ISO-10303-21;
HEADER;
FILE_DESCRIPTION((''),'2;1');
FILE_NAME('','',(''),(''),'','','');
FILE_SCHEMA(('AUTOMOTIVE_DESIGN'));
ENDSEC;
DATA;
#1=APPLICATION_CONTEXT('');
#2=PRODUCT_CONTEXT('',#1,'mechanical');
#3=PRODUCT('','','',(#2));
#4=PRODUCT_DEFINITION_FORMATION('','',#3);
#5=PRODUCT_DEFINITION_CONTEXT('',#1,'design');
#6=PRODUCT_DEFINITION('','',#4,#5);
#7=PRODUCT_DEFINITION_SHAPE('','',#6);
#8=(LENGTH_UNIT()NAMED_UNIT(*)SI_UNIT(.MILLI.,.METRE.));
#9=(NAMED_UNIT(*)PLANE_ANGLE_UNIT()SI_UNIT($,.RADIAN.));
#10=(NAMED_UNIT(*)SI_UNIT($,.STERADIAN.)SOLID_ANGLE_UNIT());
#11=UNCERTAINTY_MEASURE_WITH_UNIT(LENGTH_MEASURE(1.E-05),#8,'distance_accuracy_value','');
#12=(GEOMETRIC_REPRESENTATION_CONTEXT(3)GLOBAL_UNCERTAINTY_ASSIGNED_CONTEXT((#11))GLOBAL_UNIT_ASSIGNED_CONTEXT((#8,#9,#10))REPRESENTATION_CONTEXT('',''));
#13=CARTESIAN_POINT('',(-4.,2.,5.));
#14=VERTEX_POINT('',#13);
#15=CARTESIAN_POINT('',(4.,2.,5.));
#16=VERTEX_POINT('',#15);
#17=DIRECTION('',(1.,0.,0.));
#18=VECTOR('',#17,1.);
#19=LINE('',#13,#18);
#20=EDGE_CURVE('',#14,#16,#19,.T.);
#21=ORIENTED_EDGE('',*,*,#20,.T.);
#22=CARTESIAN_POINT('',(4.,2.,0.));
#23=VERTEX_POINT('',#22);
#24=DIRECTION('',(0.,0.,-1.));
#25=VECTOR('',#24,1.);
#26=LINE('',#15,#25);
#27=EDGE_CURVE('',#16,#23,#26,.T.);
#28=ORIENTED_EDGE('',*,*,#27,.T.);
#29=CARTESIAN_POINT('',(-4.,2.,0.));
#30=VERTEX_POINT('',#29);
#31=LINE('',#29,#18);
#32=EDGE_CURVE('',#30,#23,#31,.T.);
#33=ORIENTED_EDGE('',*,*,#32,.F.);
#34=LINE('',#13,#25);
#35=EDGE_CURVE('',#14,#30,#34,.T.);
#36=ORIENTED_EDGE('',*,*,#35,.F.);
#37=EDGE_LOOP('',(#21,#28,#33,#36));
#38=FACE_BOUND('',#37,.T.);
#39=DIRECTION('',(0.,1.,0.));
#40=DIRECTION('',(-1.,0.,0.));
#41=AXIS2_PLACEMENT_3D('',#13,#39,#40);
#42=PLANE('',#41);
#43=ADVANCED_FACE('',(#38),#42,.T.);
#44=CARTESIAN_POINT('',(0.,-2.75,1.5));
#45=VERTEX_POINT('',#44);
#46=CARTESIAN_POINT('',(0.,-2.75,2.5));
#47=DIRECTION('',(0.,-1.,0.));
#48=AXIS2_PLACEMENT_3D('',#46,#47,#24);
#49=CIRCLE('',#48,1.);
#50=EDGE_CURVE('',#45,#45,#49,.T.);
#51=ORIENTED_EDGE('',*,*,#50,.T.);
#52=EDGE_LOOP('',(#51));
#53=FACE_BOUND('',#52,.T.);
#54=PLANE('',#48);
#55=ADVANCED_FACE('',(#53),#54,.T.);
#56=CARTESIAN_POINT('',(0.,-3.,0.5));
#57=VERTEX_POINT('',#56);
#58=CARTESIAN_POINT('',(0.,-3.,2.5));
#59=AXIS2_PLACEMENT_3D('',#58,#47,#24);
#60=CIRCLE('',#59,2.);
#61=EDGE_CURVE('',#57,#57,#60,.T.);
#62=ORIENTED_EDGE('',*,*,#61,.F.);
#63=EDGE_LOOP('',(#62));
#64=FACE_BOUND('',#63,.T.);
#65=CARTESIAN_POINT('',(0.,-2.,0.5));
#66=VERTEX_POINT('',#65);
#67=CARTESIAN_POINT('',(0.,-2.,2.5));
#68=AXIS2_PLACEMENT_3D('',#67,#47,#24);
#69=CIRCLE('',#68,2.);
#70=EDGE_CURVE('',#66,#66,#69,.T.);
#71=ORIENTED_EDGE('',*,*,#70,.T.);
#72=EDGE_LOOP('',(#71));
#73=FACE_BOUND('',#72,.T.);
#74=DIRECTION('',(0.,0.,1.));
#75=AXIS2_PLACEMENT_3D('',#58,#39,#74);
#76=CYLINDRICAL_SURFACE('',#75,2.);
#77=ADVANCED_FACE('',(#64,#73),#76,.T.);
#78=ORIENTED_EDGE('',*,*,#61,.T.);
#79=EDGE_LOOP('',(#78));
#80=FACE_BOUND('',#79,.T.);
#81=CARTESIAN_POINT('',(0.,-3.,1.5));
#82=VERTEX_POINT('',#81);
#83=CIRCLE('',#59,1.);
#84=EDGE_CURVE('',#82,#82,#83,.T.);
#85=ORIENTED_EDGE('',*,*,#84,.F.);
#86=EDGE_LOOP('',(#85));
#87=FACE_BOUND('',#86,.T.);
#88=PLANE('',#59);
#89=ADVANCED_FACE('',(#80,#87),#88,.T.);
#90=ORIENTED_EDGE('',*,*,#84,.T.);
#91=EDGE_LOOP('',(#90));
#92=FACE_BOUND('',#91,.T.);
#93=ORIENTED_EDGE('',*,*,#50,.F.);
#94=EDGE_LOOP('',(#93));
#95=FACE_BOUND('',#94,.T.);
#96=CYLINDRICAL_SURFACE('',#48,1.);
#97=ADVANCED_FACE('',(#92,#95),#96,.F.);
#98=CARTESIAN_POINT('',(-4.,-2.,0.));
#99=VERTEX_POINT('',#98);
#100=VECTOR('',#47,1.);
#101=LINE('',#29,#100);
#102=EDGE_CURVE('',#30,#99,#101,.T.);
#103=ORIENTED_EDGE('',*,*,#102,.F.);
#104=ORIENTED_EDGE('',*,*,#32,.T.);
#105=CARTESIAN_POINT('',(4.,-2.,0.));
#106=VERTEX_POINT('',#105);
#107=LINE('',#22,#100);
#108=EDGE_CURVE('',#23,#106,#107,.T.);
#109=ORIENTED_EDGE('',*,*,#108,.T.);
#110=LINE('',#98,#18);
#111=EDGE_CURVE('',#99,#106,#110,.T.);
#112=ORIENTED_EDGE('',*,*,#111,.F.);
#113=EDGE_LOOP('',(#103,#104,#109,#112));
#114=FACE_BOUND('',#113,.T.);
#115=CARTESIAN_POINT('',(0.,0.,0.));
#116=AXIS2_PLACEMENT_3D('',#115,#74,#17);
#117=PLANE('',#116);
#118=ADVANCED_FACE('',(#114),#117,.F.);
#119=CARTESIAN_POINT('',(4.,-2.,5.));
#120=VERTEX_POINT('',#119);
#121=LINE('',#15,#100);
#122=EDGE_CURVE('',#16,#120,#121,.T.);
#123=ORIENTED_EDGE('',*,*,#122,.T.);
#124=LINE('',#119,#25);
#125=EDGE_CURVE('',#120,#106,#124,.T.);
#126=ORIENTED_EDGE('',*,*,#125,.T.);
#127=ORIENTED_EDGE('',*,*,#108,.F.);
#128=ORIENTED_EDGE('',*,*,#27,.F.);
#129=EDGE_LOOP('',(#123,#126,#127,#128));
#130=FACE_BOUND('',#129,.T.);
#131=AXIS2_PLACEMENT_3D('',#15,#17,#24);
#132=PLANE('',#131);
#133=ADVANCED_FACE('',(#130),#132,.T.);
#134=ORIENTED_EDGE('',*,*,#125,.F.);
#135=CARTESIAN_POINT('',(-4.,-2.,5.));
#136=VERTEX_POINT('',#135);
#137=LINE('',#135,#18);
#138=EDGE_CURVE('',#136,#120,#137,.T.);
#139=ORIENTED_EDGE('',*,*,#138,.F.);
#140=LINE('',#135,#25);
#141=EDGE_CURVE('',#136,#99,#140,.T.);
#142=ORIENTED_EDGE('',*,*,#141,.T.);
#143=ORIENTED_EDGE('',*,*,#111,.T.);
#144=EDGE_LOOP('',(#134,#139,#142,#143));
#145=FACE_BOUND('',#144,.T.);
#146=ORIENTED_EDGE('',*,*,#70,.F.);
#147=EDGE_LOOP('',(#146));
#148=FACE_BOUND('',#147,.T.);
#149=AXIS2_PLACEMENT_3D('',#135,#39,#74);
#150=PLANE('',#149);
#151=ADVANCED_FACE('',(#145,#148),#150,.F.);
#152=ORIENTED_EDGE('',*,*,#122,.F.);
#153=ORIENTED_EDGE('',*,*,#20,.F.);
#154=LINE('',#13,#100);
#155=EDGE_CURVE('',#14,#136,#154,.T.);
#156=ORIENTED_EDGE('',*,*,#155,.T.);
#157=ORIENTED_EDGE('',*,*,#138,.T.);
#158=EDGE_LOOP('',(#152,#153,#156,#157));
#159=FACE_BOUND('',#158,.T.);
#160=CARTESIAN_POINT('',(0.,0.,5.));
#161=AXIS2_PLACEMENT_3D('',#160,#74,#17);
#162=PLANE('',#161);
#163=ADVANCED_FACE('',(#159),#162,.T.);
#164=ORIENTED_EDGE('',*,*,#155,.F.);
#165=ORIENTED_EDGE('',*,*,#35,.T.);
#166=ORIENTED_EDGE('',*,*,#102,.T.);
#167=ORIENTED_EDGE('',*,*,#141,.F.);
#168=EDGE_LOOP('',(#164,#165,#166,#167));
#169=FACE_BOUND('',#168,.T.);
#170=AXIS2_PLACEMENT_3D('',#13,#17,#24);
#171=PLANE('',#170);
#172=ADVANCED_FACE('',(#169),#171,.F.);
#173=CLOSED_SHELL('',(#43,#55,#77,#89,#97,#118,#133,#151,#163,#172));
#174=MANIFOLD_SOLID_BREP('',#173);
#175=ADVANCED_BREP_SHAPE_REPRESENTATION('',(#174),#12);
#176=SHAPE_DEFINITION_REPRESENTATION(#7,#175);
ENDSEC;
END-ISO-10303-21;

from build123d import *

# Parameters (mm, degrees)
SKETCH1_W           = 8
SKETCH1_H           = 4
BOSS_EXTRUDE1_DEPTH = 5
SKETCH2_R           = 2
BOSS_EXTRUDE2_DEPTH = 1
SKETCH5_R           = 1
CUT_EXTRUDE1_DEPTH  = 0.25


with BuildPart() as part:
    # Sketch1 → Boss-Extrude1 (new body)
    with BuildSketch(Plane.XY):
        Rectangle(SKETCH1_W, SKETCH1_H)
    extrude(amount=BOSS_EXTRUDE1_DEPTH)

    # Sketch2 → Boss-Extrude2 (add)
    with BuildSketch(Plane(origin=(0, -2, 0), x_dir=(-1, 0, 0), z_dir=(0, -1, 0))):
        with Locations((0, -2.5)):
            Circle(SKETCH2_R)
    extrude(amount=BOSS_EXTRUDE2_DEPTH)

    # Sketch5 → Cut-Extrude1 (cut)
    with BuildSketch(Plane(origin=(0, -3, 0), x_dir=(-1, 0, 0), z_dir=(0, -1, 0))):
        with Locations((0, -2.5)):
            Circle(SKETCH5_R)
    extrude(amount=-CUT_EXTRUDE1_DEPTH, mode=Mode.SUBTRACT)


solid = part.part
